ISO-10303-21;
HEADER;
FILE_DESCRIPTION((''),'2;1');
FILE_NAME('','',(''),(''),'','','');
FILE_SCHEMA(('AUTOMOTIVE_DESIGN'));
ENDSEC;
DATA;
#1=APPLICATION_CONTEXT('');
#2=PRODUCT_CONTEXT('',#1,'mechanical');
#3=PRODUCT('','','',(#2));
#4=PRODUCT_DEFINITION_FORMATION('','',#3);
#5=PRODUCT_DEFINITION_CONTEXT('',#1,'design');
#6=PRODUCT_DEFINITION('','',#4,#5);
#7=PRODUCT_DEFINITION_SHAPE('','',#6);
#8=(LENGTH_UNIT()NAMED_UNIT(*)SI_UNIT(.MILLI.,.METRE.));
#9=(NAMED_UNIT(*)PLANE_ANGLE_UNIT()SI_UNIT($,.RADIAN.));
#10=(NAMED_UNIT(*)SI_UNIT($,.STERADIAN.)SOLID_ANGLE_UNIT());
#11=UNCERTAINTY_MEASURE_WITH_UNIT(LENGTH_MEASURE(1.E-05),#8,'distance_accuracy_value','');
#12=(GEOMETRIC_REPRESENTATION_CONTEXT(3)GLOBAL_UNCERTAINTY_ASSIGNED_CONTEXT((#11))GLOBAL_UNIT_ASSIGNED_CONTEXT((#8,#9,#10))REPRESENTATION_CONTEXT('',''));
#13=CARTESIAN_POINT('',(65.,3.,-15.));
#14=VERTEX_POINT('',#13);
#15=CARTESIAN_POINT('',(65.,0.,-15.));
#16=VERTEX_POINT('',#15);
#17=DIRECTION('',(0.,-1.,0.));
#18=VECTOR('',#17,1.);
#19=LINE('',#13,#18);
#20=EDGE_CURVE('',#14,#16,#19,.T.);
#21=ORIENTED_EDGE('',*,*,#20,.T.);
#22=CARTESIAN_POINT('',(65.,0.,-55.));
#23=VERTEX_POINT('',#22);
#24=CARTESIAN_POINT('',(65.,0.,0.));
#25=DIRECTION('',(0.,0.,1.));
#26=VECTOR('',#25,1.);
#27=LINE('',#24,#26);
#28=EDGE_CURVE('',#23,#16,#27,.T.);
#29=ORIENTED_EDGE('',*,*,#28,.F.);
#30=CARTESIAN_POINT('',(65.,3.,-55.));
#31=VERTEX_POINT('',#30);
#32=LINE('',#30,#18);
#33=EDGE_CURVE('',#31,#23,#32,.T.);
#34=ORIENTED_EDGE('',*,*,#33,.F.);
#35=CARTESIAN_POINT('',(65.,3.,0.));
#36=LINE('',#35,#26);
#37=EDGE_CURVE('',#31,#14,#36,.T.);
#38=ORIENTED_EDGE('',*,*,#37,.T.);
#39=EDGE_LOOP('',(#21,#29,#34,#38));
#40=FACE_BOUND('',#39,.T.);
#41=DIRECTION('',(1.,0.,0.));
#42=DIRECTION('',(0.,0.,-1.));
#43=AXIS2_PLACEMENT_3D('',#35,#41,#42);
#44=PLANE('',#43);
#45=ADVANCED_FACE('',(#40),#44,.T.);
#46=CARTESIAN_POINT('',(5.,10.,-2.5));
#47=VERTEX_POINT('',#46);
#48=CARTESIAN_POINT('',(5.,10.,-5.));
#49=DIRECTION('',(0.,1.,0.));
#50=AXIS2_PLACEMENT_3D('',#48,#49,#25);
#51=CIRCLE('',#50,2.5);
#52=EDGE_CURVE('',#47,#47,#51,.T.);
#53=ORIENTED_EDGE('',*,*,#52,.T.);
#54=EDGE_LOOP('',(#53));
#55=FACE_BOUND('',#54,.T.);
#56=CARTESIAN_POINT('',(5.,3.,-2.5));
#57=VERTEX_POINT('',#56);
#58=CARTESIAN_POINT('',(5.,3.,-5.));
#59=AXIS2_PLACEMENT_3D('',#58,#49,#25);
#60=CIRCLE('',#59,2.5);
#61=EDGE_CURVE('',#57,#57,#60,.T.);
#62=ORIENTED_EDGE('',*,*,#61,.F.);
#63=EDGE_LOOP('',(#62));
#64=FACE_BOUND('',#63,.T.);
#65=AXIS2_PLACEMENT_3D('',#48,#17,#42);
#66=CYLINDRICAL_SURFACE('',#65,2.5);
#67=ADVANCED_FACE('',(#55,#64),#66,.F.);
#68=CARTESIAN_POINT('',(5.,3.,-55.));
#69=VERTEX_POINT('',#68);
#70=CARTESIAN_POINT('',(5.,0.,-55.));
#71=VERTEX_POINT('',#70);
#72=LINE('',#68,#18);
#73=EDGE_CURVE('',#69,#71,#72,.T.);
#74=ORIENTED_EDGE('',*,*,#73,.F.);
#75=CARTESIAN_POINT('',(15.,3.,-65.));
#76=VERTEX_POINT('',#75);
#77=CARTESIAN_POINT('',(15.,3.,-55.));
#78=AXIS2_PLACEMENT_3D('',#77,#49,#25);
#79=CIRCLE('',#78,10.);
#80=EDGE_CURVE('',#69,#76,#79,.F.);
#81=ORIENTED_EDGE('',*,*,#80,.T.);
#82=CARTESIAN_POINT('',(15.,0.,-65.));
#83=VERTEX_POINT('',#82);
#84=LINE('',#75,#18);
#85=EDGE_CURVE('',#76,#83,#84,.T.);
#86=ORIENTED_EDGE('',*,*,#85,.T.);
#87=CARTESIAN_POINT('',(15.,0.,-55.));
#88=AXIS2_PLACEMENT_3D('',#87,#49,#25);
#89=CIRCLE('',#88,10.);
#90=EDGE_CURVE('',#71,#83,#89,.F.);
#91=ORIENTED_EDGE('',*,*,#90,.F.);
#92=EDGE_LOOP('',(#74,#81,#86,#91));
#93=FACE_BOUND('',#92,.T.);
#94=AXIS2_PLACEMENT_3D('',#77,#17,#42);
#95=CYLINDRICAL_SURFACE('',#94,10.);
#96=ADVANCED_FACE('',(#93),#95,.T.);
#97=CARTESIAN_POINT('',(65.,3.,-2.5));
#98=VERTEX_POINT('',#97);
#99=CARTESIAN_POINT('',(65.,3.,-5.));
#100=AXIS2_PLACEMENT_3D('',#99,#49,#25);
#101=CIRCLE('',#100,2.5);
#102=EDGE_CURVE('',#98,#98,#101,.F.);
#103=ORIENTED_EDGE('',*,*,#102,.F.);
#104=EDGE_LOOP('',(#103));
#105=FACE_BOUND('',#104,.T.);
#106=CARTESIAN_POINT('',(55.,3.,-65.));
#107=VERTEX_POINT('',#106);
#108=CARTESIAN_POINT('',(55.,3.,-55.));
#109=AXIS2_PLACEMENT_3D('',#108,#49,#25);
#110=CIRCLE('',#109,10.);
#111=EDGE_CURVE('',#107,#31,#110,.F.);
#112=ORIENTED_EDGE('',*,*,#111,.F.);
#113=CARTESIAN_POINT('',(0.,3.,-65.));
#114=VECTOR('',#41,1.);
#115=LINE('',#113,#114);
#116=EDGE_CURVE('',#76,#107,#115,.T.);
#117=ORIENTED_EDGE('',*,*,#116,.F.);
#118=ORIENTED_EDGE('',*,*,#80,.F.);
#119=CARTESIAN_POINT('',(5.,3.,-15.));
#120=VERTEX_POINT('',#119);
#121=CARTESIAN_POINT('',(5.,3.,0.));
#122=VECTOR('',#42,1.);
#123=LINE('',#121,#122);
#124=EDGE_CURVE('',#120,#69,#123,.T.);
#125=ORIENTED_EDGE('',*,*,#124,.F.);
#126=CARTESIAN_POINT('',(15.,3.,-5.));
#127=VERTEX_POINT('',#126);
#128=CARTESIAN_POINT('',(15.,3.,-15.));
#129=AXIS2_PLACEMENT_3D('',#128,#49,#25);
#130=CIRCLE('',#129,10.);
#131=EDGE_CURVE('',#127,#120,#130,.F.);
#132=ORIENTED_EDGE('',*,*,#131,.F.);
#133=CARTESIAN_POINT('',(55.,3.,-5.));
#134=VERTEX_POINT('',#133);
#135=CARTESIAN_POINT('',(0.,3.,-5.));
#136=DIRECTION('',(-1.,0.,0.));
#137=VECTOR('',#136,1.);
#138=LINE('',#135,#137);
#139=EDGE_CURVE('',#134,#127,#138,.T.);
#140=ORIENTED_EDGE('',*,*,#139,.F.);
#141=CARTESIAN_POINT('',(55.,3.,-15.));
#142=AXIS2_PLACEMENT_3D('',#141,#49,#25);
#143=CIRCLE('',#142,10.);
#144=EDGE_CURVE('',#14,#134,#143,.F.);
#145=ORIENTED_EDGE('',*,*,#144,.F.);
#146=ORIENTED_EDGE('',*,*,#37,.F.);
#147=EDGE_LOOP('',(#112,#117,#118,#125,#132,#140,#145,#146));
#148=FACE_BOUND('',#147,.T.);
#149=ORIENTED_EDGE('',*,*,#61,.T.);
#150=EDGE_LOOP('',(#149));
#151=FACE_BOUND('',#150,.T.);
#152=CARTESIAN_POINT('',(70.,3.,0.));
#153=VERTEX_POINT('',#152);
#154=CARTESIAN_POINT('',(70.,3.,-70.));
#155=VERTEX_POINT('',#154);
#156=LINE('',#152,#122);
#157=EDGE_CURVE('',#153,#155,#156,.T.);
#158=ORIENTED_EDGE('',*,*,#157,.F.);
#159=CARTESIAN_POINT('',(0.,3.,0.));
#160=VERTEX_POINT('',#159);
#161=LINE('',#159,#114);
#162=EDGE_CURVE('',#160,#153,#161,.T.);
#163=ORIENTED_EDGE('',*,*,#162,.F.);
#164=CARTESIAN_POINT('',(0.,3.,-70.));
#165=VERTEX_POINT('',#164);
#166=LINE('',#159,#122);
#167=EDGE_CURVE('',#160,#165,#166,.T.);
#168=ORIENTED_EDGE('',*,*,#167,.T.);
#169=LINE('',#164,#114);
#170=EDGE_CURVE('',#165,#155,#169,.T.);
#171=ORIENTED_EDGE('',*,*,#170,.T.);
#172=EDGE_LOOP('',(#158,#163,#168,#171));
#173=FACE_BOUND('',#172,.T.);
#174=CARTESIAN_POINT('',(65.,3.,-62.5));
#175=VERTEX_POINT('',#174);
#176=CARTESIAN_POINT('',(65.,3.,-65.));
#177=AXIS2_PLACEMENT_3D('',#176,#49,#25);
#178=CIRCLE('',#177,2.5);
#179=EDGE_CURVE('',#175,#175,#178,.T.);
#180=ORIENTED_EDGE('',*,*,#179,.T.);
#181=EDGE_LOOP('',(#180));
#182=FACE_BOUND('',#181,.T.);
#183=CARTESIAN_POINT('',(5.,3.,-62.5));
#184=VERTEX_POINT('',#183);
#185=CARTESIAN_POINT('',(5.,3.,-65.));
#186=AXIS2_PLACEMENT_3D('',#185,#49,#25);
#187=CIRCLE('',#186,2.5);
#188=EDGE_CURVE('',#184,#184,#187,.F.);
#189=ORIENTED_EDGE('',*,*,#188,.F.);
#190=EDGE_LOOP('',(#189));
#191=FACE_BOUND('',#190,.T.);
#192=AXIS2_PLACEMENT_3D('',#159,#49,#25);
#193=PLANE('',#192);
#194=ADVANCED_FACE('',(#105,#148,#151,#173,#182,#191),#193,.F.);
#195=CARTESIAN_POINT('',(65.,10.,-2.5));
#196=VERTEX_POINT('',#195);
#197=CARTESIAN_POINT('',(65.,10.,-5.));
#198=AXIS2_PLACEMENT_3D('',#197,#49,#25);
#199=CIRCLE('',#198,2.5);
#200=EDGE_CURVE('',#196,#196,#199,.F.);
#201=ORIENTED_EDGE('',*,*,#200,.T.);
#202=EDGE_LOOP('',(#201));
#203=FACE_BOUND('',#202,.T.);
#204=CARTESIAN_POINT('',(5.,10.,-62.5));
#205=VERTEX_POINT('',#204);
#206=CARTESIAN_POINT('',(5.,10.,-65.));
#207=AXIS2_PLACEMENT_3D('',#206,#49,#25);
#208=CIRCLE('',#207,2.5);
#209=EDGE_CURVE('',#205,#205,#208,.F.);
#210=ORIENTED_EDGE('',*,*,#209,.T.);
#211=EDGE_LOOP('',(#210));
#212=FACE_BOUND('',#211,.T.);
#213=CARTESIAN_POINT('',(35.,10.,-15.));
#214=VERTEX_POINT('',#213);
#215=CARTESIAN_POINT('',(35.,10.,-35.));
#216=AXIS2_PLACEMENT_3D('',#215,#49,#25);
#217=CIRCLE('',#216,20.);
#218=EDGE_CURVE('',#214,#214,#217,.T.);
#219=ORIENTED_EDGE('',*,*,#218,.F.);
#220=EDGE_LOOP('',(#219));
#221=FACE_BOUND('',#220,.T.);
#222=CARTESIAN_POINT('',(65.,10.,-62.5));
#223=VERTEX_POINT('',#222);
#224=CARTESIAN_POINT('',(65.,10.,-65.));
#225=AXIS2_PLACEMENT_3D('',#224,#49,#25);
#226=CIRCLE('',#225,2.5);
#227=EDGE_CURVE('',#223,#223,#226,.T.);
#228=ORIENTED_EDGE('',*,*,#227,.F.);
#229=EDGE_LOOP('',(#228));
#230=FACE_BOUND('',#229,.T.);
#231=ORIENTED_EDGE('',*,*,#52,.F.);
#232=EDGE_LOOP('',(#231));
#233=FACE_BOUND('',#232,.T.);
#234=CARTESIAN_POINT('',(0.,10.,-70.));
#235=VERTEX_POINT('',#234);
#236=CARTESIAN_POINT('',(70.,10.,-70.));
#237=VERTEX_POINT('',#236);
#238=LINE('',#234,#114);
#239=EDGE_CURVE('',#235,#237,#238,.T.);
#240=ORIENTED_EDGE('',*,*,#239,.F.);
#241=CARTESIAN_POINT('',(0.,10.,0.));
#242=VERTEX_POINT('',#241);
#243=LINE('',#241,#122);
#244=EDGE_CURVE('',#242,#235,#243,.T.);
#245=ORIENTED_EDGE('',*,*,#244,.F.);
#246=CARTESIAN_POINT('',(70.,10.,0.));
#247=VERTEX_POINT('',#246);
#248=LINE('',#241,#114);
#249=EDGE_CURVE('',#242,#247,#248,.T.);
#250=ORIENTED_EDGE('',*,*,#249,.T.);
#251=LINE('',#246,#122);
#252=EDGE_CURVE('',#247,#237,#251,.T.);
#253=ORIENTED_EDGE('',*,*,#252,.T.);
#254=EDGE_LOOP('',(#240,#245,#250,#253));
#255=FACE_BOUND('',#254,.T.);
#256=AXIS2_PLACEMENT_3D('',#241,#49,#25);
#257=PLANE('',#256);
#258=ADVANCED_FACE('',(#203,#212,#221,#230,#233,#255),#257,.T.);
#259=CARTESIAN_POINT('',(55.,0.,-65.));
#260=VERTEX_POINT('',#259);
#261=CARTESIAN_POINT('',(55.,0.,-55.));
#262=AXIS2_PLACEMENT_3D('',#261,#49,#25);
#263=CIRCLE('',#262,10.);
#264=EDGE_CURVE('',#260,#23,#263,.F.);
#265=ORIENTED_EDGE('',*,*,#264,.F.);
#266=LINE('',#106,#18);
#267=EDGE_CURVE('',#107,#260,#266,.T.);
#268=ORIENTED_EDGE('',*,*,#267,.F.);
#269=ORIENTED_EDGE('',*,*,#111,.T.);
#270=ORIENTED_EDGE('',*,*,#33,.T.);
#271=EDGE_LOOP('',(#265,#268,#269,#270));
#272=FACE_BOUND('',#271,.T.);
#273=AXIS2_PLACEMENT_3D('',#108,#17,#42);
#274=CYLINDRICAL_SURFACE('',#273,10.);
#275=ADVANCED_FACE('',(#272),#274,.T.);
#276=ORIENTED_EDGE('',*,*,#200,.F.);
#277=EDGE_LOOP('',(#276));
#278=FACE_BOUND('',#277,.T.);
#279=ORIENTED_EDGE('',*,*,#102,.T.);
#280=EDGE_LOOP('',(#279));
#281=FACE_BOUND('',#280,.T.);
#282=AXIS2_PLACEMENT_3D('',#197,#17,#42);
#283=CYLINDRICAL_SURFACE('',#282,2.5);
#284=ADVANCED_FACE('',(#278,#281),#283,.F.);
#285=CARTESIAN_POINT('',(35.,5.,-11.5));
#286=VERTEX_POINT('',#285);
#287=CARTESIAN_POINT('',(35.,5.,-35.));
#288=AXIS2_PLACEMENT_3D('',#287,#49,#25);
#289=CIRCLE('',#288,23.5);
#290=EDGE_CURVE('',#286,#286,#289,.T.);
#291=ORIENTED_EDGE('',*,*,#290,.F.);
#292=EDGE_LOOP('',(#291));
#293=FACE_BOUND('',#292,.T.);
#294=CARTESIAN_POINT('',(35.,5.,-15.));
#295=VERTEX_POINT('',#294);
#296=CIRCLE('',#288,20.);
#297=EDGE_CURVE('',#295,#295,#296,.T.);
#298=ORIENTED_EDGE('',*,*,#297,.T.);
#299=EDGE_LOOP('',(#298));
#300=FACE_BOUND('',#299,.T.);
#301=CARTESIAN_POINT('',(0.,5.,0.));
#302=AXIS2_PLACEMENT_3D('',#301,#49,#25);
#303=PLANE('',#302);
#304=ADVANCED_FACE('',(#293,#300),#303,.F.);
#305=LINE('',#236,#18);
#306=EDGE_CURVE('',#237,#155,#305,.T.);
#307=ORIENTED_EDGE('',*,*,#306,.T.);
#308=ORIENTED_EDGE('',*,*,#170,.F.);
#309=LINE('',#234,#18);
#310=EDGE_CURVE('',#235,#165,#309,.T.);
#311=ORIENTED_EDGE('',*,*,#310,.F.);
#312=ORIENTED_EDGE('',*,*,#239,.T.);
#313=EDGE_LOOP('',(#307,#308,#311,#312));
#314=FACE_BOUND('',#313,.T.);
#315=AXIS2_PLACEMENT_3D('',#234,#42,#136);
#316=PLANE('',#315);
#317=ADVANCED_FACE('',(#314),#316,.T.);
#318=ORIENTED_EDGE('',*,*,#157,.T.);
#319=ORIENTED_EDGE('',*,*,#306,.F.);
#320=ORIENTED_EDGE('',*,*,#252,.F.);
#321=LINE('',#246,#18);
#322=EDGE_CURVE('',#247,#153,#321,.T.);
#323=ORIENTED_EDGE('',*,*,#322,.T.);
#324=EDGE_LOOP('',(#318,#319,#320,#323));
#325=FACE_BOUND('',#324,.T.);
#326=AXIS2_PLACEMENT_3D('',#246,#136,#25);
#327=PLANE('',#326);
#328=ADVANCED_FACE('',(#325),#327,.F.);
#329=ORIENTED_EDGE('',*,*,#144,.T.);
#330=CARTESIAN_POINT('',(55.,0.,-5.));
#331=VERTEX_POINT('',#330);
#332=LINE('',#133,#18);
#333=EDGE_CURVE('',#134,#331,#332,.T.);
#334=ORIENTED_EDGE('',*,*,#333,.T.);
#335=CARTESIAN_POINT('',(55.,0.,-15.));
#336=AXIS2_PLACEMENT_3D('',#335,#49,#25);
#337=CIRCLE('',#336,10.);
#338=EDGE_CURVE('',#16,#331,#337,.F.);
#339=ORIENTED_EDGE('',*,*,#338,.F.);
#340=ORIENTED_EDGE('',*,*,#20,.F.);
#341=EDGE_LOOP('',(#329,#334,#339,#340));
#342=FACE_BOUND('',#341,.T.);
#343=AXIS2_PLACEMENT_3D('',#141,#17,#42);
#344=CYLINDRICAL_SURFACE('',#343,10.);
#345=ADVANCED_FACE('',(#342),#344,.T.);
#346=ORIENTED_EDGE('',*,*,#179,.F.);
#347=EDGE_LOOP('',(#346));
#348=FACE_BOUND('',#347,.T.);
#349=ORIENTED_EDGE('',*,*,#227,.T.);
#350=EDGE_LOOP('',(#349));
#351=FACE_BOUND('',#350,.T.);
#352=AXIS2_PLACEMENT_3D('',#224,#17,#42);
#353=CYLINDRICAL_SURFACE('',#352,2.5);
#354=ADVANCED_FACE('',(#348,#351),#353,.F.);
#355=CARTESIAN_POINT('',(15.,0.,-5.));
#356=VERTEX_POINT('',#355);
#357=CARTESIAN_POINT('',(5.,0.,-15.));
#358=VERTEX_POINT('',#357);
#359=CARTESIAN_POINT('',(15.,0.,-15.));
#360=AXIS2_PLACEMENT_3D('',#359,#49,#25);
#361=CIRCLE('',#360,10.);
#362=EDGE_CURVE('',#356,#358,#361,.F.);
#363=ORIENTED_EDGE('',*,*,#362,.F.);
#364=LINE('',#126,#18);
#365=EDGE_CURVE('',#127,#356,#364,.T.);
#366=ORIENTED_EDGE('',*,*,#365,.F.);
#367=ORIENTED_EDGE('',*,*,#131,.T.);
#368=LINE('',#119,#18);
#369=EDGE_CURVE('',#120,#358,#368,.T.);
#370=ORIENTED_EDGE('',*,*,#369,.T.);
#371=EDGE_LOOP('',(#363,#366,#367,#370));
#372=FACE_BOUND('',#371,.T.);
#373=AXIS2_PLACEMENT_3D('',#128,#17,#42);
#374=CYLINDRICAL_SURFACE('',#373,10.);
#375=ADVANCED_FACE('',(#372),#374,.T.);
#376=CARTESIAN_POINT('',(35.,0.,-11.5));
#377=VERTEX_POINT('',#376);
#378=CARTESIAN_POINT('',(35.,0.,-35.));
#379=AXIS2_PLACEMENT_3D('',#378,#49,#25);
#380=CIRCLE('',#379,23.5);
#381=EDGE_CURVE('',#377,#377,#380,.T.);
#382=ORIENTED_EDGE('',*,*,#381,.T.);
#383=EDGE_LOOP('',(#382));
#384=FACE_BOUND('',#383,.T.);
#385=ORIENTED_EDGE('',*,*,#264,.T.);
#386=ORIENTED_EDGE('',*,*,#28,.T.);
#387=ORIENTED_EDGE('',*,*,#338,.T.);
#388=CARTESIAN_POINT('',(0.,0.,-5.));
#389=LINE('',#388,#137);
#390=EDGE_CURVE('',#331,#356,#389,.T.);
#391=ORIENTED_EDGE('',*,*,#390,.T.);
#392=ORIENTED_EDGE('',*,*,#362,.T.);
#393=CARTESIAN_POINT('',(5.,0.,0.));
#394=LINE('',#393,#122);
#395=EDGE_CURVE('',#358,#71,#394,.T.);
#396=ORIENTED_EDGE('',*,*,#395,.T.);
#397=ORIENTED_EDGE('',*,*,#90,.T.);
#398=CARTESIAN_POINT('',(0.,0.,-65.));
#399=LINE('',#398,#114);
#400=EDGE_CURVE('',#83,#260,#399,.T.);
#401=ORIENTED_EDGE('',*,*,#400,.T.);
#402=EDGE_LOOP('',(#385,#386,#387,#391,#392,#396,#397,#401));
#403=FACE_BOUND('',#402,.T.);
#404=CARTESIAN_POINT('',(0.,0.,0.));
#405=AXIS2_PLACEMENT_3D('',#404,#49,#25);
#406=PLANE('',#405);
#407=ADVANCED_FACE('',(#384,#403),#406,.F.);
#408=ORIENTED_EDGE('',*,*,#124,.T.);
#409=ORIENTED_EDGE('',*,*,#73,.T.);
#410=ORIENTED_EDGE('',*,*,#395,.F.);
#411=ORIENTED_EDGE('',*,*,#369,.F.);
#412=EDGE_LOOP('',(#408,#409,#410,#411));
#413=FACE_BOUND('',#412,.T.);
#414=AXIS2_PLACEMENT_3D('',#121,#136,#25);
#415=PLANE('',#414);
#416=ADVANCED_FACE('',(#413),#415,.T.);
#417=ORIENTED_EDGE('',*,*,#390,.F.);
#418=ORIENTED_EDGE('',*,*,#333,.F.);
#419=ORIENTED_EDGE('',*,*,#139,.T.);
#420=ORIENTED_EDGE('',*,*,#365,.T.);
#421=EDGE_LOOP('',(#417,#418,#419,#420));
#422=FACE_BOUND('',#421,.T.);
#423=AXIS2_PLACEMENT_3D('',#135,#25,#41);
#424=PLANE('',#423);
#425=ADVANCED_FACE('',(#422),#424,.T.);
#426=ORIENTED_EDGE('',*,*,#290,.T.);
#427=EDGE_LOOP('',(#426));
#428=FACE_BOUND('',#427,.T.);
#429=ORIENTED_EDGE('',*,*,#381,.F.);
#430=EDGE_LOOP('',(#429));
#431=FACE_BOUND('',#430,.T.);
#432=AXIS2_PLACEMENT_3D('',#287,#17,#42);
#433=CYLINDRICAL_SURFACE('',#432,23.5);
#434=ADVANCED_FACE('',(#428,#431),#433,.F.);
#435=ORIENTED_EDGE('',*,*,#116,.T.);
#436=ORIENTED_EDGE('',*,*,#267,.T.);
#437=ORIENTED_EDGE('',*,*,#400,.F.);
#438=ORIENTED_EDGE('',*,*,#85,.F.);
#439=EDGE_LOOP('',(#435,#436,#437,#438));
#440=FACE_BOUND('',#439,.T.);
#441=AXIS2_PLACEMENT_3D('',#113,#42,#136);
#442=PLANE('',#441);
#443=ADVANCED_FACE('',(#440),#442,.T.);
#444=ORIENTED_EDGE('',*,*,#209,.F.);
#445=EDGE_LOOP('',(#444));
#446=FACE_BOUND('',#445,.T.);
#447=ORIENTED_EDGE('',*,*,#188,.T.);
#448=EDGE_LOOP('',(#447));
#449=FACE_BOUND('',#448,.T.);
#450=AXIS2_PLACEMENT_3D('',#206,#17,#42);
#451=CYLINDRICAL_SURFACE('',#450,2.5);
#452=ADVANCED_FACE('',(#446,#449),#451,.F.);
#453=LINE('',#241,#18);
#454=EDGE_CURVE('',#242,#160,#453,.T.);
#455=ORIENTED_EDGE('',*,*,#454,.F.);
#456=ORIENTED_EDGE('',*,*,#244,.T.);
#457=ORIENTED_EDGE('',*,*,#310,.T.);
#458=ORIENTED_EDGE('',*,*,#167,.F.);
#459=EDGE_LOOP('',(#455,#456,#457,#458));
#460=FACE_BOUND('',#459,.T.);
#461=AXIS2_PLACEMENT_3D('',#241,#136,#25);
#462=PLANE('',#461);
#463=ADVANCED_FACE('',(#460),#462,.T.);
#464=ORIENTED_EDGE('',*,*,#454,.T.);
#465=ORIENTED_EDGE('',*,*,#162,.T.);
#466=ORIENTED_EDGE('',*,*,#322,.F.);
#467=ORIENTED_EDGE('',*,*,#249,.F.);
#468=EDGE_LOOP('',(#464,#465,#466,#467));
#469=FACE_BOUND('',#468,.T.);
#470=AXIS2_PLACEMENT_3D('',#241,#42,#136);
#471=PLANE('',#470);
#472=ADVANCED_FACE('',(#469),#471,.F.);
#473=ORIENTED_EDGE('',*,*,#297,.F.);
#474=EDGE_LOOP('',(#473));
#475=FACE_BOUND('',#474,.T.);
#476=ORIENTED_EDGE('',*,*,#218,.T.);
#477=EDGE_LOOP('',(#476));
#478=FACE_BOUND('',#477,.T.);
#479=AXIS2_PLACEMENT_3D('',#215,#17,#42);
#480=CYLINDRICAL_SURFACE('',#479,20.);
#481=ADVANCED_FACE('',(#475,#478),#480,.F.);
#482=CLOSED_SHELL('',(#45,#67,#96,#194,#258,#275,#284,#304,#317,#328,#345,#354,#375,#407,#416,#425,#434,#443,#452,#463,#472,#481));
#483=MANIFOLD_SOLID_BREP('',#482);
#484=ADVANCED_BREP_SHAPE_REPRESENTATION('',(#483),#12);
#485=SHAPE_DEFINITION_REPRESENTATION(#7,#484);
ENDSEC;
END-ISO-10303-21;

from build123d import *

# Parameters (mm, degrees)
SZKIC1_W                    = 70
SZKIC1_H                    = 70
SZKIC1_R                    = 2.5
SZKIC1_R_2                  = 20
DODANIE_WYCI_GNI_CIE1_DEPTH = 10
SZKIC1_3_W                  = 70
SZKIC1_3_H                  = 70
SZKIC1_3_R                  = 2.5
WYTNIJ_WYCI_GNI_CIE1_DEPTH  = 3
SZKIC1_4_R                  = 23.5
SZKIC1_4_R_2                = 20
WYTNIJ_WYCI_GNI_CIE2_DEPTH  = 5


with BuildPart() as part:
    # Szkic1 → Dodanie-wyciągnięcie1 (new body)
    with BuildSketch(Plane(origin=(0, 0, 0), x_dir=(1, 0, 0), z_dir=(0, 1, 0))):
        with Locations((35, 35)):
            Rectangle(SZKIC1_W, SZKIC1_H)
        with Locations((5, 5)):
            Circle(SZKIC1_R, mode=Mode.SUBTRACT)
        with Locations((65, 5)):
            Circle(SZKIC1_R, mode=Mode.SUBTRACT)
        with Locations((5, 65)):
            Circle(SZKIC1_R, mode=Mode.SUBTRACT)
        with Locations((65, 65)):
            Circle(SZKIC1_R, mode=Mode.SUBTRACT)
        with Locations((35, 35)):
            Circle(SZKIC1_R_2, mode=Mode.SUBTRACT)
    extrude(amount=DODANIE_WYCI_GNI_CIE1_DEPTH)

    # Szkic1<3> → Wytnij-wyciągnięcie1 (cut)
    with BuildSketch(Plane(origin=(0, 0, 0), x_dir=(1, 0, 0), z_dir=(0, 1, 0))):
        with Locations((35, 35)):
            Rectangle(SZKIC1_3_W, SZKIC1_3_H)
        with Locations((5, 5)):
            Circle(SZKIC1_3_R, mode=Mode.SUBTRACT)
        with Locations((65, 5)):
            Circle(SZKIC1_3_R, mode=Mode.SUBTRACT)
        with Locations((5, 65)):
            Circle(SZKIC1_3_R, mode=Mode.SUBTRACT)
        with BuildLine():
            Line((5, 15), (5, 35))
            Line((5, 35), (5, 55))
            ThreePointArc((5, 55), (7.928932188, 62.071067812), (15, 65))
            Line((15, 65), (55, 65))
            ThreePointArc((55, 65), (62.071067812, 62.071067812), (65, 55))
            Line((65, 55), (65, 15))
            ThreePointArc((65, 15), (62.071067812, 7.928932188), (55, 5))
            Line((55, 5), (15, 5))
            ThreePointArc((15, 5), (7.928932188, 7.928932188), (5, 15))
        make_face(mode=Mode.SUBTRACT)
        with Locations((65, 65)):
            Circle(SZKIC1_3_R, mode=Mode.SUBTRACT)
    extrude(amount=WYTNIJ_WYCI_GNI_CIE1_DEPTH, mode=Mode.SUBTRACT)

    # Szkic1<4> → Wytnij-wyciągnięcie2 (cut)
    with BuildSketch(Plane(origin=(0, 0, 0), x_dir=(1, 0, 0), z_dir=(0, 1, 0))):
        with Locations((35, 35)):
            Circle(SZKIC1_4_R)
        with Locations((35, 35)):
            Circle(SZKIC1_4_R_2, mode=Mode.SUBTRACT)
    extrude(amount=WYTNIJ_WYCI_GNI_CIE2_DEPTH, mode=Mode.SUBTRACT)


solid = part.part
